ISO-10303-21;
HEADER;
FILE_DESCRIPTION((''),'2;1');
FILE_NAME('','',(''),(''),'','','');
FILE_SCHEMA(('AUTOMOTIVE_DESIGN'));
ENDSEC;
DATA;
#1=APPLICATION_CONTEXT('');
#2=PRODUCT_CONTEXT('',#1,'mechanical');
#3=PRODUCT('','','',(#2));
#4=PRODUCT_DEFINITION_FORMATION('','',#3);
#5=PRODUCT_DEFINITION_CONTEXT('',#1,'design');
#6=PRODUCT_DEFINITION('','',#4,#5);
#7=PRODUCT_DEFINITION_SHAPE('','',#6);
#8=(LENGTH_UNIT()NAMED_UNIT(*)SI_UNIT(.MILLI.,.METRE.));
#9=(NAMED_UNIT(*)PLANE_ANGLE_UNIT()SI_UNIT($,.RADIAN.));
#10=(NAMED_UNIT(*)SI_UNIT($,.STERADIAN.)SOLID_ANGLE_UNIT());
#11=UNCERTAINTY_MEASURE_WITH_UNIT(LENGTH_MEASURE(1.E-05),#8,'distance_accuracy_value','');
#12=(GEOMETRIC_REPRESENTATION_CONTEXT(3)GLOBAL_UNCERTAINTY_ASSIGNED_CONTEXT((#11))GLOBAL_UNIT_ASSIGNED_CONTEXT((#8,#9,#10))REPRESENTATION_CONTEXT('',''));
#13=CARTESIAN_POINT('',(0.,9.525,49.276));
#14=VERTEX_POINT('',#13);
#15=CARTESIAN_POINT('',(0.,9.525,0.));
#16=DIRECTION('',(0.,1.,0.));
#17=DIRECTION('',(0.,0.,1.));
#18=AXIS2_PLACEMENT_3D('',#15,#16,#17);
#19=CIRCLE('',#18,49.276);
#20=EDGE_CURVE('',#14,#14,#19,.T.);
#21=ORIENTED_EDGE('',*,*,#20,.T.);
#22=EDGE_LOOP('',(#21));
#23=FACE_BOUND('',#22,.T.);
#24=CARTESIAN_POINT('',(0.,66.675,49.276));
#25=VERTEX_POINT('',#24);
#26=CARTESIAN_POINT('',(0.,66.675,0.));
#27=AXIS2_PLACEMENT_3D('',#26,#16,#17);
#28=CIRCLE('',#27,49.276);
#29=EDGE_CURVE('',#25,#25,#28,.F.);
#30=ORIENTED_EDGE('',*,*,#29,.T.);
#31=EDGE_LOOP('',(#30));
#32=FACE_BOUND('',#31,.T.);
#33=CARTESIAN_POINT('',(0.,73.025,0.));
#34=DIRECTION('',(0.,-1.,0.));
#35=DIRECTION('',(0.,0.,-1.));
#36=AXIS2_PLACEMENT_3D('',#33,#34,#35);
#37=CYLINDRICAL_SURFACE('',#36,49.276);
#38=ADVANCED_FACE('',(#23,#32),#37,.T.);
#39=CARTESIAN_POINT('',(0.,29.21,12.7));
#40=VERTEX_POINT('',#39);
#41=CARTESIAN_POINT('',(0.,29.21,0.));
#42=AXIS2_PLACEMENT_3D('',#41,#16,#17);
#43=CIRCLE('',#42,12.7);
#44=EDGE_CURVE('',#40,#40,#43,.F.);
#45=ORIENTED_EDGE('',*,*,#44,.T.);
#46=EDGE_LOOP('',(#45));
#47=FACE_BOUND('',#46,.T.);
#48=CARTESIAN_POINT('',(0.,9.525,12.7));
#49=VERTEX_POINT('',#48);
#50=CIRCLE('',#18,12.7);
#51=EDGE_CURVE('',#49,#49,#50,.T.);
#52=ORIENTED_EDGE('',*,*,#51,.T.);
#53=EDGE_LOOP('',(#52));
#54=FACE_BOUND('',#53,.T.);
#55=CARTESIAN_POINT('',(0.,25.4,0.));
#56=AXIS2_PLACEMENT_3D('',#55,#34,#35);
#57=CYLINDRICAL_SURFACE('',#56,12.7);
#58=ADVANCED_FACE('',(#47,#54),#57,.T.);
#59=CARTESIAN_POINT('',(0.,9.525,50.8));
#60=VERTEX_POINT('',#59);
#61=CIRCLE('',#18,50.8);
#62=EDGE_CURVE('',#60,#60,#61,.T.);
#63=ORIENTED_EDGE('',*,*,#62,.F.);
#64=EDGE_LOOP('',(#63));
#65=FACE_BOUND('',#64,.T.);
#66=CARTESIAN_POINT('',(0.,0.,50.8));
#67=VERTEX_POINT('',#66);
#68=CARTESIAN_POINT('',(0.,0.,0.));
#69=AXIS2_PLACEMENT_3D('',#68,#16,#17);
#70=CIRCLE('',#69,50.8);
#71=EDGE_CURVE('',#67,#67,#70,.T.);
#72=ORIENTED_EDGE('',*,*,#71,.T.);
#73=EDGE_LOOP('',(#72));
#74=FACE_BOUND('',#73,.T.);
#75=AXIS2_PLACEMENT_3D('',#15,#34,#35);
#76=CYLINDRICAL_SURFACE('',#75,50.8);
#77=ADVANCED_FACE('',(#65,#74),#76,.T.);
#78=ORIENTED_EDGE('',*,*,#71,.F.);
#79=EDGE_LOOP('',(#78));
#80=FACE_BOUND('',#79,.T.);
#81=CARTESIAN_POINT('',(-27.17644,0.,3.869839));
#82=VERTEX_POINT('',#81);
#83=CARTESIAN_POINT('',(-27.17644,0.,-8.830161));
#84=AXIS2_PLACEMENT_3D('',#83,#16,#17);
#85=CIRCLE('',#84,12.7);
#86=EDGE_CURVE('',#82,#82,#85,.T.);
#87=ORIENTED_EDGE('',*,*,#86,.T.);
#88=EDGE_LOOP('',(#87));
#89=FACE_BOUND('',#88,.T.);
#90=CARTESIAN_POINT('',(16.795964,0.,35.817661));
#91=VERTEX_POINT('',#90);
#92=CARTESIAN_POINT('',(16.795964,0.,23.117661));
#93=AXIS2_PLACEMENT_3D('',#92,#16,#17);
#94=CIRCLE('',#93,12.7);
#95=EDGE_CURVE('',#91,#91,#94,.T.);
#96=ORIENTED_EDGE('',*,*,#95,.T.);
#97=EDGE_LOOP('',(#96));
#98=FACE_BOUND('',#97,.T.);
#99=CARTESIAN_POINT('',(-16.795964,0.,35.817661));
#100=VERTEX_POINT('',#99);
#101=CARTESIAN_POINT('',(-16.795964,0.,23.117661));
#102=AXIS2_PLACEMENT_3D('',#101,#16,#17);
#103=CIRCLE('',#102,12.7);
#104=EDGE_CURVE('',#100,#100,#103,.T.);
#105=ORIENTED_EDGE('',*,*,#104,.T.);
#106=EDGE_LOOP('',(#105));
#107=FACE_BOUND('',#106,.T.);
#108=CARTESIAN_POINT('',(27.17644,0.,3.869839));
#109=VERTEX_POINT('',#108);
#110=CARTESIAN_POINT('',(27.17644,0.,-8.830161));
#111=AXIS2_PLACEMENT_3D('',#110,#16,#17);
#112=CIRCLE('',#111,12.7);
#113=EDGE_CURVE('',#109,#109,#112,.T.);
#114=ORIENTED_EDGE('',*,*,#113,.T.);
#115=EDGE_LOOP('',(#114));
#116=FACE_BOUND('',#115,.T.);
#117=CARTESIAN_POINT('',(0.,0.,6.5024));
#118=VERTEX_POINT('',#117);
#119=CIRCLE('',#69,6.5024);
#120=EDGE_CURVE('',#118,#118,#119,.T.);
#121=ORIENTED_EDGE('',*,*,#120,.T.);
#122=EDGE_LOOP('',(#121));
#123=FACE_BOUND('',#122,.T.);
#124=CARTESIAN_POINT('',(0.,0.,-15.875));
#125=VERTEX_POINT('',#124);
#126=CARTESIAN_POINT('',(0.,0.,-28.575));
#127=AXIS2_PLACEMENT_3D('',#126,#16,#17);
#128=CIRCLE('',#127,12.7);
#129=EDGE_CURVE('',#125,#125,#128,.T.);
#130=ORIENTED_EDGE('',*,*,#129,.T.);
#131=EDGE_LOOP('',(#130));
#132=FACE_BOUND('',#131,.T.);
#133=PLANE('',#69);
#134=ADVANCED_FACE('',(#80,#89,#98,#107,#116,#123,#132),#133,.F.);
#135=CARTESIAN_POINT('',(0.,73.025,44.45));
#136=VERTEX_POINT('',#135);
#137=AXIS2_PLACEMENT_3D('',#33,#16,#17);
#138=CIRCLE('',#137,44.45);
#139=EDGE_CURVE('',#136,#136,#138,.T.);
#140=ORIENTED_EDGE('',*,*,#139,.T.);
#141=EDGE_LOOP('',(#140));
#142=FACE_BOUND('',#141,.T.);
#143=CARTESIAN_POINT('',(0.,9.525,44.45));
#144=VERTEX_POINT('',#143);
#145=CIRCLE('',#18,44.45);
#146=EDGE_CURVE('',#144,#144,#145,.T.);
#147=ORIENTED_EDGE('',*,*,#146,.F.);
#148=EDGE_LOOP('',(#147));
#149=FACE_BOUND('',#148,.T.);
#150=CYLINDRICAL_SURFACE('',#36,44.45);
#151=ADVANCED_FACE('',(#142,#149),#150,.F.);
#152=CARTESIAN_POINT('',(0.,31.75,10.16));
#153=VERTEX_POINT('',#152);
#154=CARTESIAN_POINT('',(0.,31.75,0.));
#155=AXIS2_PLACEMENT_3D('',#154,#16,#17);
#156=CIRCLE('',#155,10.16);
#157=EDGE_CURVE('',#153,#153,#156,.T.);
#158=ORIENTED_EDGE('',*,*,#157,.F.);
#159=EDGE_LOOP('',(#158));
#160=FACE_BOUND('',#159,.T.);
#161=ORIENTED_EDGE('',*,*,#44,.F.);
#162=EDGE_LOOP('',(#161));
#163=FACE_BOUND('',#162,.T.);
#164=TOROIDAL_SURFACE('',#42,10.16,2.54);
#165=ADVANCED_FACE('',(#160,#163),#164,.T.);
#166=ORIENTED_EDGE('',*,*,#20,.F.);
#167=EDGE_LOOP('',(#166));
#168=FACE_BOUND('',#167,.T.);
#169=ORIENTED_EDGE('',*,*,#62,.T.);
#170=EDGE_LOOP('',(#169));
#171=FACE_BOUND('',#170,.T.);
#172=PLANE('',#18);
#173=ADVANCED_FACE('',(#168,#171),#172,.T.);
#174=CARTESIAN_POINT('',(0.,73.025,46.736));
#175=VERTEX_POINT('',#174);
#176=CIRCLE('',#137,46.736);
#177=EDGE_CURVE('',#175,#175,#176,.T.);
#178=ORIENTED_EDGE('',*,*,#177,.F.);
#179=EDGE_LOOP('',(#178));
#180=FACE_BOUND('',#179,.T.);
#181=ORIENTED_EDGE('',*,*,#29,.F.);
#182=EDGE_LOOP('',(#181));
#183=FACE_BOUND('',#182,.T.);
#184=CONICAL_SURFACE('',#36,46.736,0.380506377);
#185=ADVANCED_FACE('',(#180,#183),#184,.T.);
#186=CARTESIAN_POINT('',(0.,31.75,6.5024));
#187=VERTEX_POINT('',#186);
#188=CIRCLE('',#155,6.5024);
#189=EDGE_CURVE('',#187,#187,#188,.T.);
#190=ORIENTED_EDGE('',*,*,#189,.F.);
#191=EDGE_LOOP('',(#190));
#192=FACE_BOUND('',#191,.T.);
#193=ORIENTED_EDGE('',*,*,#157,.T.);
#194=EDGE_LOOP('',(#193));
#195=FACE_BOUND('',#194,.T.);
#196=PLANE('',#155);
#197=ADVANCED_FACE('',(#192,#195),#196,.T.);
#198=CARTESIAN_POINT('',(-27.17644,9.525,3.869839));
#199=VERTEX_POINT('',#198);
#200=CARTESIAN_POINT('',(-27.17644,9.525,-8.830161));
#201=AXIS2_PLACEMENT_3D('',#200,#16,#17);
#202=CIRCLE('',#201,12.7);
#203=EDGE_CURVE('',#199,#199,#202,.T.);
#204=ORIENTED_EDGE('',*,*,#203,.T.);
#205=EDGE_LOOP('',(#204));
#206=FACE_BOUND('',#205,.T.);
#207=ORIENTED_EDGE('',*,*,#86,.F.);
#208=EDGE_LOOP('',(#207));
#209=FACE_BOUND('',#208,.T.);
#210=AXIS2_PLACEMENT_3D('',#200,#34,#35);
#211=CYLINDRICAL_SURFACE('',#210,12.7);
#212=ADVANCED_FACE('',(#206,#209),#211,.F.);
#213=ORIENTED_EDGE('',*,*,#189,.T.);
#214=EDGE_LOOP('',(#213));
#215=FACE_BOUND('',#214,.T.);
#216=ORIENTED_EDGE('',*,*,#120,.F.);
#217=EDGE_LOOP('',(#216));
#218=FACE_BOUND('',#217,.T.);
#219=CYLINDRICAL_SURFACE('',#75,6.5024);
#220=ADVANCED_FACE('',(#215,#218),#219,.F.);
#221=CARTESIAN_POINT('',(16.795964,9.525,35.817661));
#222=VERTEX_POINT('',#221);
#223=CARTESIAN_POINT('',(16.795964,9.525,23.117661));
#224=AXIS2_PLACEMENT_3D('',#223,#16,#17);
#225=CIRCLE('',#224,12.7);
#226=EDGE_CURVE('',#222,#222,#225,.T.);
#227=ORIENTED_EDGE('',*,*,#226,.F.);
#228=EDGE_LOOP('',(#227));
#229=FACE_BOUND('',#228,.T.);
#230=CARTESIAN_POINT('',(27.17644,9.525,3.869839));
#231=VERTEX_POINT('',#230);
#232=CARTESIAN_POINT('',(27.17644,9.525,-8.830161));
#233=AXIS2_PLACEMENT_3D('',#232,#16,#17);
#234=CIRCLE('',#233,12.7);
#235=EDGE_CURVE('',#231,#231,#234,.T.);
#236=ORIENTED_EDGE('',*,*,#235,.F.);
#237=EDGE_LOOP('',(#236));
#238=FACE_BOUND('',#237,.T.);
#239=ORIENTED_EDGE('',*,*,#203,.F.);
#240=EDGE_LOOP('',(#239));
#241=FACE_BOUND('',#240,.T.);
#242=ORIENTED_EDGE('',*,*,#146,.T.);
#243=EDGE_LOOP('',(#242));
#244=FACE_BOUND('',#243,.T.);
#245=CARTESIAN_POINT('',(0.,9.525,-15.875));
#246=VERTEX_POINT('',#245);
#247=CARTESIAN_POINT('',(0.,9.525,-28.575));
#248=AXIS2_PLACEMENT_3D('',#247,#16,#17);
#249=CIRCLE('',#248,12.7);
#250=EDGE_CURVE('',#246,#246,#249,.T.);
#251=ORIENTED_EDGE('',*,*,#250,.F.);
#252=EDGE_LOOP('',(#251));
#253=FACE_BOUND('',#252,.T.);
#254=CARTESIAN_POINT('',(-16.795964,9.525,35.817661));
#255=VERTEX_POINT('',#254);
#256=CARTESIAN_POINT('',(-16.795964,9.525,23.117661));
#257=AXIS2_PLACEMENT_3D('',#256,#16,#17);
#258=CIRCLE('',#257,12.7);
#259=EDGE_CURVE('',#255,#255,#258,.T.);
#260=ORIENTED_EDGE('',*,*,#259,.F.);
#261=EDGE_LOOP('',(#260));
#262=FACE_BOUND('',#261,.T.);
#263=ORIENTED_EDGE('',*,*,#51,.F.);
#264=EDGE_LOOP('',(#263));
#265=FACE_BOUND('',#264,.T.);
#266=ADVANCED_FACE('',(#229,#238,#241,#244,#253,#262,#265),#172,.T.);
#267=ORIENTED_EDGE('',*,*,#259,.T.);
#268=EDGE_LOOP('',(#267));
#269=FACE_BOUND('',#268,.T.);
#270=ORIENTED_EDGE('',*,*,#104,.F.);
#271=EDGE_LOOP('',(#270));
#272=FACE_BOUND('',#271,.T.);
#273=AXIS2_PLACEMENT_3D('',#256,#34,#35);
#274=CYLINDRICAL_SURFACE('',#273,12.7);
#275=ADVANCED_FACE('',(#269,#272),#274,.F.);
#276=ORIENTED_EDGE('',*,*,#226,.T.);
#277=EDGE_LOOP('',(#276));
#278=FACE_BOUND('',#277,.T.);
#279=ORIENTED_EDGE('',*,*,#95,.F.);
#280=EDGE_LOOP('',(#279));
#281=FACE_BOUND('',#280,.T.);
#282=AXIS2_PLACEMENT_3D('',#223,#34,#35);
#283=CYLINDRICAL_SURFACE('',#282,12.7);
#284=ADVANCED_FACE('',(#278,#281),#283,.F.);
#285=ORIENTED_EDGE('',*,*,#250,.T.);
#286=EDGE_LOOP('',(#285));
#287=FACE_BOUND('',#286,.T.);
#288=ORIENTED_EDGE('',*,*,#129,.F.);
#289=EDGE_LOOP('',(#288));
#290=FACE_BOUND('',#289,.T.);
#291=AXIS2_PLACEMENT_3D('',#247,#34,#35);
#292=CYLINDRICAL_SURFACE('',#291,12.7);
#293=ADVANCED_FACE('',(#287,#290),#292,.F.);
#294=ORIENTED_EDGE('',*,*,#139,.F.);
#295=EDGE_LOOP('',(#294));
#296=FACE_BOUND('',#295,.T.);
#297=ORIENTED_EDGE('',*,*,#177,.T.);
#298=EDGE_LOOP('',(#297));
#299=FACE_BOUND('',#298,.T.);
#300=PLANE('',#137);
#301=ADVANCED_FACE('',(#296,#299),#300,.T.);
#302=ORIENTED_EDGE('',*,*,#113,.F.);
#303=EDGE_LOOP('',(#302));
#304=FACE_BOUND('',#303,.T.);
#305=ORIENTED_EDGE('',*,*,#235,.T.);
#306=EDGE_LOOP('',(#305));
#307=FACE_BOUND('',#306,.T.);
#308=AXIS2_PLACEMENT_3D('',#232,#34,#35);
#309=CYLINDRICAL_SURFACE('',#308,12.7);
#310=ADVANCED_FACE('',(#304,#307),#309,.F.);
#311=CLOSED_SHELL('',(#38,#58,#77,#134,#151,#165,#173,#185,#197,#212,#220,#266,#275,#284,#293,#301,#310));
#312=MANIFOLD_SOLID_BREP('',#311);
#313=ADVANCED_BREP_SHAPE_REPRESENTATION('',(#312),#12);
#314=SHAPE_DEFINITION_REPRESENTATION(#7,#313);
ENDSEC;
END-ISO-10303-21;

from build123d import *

# Parameters (mm, degrees)
SKETCH1_R           = 50.8
SKETCH1_R_2         = 6.5024
SKETCH1_R_3         = 12.7
BOSS_EXTRUDE1_DEPTH = 9.525
SKETCH2_R           = 49.276
SKETCH2_R_2         = 44.45
BOSS_EXTRUDE2_DEPTH = 63.5
SKETCH3_R           = 12.7
SKETCH3_R_2         = 6.5024
BOSS_EXTRUDE3_DEPTH = 15.875
CHAMFER1_SIZE       = 6.35
CHAMFER1_SIZE2      = 2.54
SKETCH4_R           = 12.7
SKETCH4_R_2         = 6.5024
BOSS_EXTRUDE4_DEPTH = 6.35
FILLET1_R           = 2.54


with BuildPart() as part:
    # Sketch1 → Boss-Extrude1 (new body)
    with BuildSketch(Plane(origin=(0, 0, 0), x_dir=(1, 0, 0), z_dir=(0, 1, 0))):
        Circle(SKETCH1_R)
        Circle(SKETCH1_R_2, mode=Mode.SUBTRACT)
        with Locations((0, 28.575)):
            Circle(SKETCH1_R_3, mode=Mode.SUBTRACT)
        with Locations((27.176439953, 8.830160614)):
            Circle(SKETCH1_R_3, mode=Mode.SUBTRACT)
        with Locations((16.795963584, -23.117660614)):
            Circle(SKETCH1_R_3, mode=Mode.SUBTRACT)
        with Locations((-16.795963584, -23.117660614)):
            Circle(SKETCH1_R_3, mode=Mode.SUBTRACT)
        with Locations((-27.176439953, 8.830160614)):
            Circle(SKETCH1_R_3, mode=Mode.SUBTRACT)
    extrude(amount=BOSS_EXTRUDE1_DEPTH)

    # Sketch2 → Boss-Extrude2 (add)
    with BuildSketch(Plane(origin=(0, 9.525, 0), x_dir=(1, 0, 0), z_dir=(0, 1, 0))):
        Circle(SKETCH2_R)
        Circle(SKETCH2_R_2, mode=Mode.SUBTRACT)
    extrude(amount=BOSS_EXTRUDE2_DEPTH)

    # Sketch3 → Boss-Extrude3 (add)
    with BuildSketch(Plane(origin=(0, 9.525, 0), x_dir=(1, 0, 0), z_dir=(0, 1, 0))):
        Circle(SKETCH3_R)
        Circle(SKETCH3_R_2, mode=Mode.SUBTRACT)
    extrude(amount=BOSS_EXTRUDE3_DEPTH)

    # Chamfer1
    chamfer1_edges = [part.edges().sort_by_distance(p)[0] for p in [
        (-49.276, 73.025, 0),
    ]]
    chamfer1_side = [part.faces().sort_by_distance(p)[0] for p in [
        (-49.276, 41.275, 0),
    ]]
    chamfer(chamfer1_edges, length=CHAMFER1_SIZE, length2=CHAMFER1_SIZE2, reference=chamfer1_side[0])

    # Sketch4 → Boss-Extrude4 (add)
    with BuildSketch(Plane(origin=(0, 25.4, 0), x_dir=(1, 0, 0), z_dir=(0, 1, 0))):
        Circle(SKETCH4_R)
        Circle(SKETCH4_R_2, mode=Mode.SUBTRACT)
    extrude(amount=BOSS_EXTRUDE4_DEPTH)

    # Fillet1
    fillet1_edges = [part.edges().sort_by_distance(p)[0] for p in [
        (-12.7, 31.75, 0),
    ]]
    fillet(fillet1_edges, radius=FILLET1_R)


solid = part.part
